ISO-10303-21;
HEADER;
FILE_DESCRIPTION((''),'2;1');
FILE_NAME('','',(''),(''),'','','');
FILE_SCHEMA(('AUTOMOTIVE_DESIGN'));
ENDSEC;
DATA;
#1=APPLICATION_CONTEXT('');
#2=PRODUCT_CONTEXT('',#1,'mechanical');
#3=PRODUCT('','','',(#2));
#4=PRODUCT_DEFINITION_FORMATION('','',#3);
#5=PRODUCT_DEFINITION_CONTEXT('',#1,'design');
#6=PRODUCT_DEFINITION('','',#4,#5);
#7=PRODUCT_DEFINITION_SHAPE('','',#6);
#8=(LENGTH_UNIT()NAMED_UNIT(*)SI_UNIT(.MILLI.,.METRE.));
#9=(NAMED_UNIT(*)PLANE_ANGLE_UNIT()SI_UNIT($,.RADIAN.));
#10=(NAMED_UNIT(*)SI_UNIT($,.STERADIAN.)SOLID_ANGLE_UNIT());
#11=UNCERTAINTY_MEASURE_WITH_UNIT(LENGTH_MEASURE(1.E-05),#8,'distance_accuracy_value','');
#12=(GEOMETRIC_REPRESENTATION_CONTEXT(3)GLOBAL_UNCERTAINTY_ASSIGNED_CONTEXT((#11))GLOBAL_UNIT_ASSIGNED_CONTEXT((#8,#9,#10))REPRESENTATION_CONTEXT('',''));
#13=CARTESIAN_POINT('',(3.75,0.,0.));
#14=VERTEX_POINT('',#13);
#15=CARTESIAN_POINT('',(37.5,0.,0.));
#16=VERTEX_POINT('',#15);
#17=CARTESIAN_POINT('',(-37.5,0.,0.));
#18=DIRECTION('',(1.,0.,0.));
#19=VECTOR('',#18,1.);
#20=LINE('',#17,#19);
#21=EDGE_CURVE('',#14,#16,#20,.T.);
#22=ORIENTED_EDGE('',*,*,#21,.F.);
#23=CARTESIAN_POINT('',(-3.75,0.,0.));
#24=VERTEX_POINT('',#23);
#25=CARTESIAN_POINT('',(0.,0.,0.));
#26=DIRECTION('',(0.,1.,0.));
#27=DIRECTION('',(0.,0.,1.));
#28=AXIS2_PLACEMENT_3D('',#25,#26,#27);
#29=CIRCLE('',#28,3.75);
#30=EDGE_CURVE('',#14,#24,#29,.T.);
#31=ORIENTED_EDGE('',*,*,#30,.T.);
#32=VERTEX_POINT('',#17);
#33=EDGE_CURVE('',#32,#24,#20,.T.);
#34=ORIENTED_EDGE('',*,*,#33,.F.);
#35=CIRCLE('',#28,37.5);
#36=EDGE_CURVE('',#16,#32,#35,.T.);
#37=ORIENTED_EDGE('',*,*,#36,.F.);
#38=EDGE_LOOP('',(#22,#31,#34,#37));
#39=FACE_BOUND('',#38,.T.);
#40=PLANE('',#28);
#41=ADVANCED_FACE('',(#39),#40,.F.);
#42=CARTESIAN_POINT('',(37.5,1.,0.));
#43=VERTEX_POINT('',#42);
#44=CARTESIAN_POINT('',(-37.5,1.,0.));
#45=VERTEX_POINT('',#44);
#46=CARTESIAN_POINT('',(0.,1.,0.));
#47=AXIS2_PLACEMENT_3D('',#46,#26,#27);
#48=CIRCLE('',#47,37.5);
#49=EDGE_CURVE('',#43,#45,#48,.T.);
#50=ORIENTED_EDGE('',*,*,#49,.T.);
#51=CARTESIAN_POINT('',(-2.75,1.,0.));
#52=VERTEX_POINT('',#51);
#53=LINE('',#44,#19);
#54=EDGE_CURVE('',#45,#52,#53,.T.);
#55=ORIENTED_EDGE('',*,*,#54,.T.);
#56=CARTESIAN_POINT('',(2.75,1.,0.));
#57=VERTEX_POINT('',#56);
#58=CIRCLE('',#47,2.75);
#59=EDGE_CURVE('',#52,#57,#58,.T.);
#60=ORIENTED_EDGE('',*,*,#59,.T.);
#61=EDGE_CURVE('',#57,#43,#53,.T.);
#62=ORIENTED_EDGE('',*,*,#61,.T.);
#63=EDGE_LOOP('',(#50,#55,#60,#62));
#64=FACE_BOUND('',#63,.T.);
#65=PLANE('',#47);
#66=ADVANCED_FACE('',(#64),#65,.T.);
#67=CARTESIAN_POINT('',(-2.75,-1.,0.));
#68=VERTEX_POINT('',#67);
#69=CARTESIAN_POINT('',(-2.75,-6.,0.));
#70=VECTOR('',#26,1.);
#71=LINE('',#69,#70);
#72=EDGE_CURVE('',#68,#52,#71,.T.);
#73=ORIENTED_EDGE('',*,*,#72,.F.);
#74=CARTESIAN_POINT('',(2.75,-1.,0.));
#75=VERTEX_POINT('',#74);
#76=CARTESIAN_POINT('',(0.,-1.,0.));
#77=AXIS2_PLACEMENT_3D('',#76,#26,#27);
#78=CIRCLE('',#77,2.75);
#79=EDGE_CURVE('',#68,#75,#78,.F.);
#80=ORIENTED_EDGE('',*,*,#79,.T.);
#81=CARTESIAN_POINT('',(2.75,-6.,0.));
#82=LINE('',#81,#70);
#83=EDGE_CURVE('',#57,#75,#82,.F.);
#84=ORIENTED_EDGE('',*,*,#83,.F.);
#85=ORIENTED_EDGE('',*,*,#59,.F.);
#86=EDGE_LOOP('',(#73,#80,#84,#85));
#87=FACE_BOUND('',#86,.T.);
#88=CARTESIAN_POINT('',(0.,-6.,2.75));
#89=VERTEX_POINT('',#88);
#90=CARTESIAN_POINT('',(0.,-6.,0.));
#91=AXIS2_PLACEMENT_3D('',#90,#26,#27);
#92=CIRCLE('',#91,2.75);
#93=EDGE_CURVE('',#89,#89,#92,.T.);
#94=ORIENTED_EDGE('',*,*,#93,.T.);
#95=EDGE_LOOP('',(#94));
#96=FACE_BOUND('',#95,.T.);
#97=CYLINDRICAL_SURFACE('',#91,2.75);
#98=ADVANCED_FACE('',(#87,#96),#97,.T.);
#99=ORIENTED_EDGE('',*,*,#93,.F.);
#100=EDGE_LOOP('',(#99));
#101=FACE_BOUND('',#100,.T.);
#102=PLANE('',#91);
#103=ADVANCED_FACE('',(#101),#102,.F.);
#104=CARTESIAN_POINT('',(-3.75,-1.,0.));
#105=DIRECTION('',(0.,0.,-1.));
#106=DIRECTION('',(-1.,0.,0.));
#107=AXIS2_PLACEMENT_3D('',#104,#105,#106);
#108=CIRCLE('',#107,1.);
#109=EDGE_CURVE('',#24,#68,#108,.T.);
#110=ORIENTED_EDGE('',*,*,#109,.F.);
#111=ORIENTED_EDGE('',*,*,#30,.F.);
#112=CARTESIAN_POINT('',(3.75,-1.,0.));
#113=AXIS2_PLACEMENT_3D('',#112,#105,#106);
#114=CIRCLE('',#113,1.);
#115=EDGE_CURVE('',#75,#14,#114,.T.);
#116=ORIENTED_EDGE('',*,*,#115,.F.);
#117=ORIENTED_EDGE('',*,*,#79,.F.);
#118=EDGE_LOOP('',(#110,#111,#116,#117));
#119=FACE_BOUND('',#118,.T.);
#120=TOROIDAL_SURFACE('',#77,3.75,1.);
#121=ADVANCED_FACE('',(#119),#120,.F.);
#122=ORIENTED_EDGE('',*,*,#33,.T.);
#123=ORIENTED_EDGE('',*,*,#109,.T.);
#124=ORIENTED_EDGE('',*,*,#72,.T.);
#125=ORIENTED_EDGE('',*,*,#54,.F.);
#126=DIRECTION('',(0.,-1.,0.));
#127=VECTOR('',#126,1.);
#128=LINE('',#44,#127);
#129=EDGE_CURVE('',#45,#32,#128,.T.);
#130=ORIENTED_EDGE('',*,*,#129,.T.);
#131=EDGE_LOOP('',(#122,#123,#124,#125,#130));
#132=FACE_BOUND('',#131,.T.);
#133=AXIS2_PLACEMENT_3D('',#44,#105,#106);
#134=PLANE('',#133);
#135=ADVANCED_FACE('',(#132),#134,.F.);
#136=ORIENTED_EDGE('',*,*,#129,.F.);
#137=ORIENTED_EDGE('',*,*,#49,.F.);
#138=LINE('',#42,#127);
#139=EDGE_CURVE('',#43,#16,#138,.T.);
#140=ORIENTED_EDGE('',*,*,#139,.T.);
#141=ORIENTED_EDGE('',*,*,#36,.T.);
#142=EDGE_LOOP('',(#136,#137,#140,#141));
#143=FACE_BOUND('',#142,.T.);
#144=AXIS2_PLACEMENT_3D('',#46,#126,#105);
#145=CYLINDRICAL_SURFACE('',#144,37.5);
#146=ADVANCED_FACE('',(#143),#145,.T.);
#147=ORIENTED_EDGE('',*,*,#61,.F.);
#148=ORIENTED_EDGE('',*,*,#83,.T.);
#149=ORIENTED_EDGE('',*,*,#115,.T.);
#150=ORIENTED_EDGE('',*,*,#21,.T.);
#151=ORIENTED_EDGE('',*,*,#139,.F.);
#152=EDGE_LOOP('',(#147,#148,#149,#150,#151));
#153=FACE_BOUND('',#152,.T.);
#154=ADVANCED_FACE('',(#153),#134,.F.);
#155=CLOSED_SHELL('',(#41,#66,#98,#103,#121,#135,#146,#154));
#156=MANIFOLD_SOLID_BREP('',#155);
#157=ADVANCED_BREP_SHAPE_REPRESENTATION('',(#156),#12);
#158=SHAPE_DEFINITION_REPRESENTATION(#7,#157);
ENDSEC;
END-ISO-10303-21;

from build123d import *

# Parameters (mm, degrees)
BOSS_EXTRUDE1_DEPTH = 1
SKETCH3_R           = 2.75
BOSS_EXTRUDE2_DEPTH = 7
FILLET1_R           = 1


with BuildPart() as part:
    # Sketch1 → Boss-Extrude1 (new body)
    with BuildSketch(Plane(origin=(0, 0, 0), x_dir=(1, 0, 0), z_dir=(0, 1, 0))):
        with BuildLine():
            Line((-37.5, 0), (37.5, 0))
            ThreePointArc((37.5, 0), (0, 37.5), (-37.5, 0))
        make_face()
    extrude(amount=BOSS_EXTRUDE1_DEPTH)

    # Sketch3 → Boss-Extrude2 (add)
    with BuildSketch(Plane(origin=(0, 1, 0), x_dir=(1, 0, 0), z_dir=(0, 1, 0))):
        with Locations(Location((0, 0, 0), (0, 0, 270))):
            Circle(SKETCH3_R)
    extrude(amount=-BOSS_EXTRUDE2_DEPTH)

    # Fillet1
    fillet1_edges = [part.edges().sort_by_distance(p)[0] for p in [
        (0, 0, -2.75),
    ]]
    fillet(fillet1_edges, radius=FILLET1_R)


solid = part.part
